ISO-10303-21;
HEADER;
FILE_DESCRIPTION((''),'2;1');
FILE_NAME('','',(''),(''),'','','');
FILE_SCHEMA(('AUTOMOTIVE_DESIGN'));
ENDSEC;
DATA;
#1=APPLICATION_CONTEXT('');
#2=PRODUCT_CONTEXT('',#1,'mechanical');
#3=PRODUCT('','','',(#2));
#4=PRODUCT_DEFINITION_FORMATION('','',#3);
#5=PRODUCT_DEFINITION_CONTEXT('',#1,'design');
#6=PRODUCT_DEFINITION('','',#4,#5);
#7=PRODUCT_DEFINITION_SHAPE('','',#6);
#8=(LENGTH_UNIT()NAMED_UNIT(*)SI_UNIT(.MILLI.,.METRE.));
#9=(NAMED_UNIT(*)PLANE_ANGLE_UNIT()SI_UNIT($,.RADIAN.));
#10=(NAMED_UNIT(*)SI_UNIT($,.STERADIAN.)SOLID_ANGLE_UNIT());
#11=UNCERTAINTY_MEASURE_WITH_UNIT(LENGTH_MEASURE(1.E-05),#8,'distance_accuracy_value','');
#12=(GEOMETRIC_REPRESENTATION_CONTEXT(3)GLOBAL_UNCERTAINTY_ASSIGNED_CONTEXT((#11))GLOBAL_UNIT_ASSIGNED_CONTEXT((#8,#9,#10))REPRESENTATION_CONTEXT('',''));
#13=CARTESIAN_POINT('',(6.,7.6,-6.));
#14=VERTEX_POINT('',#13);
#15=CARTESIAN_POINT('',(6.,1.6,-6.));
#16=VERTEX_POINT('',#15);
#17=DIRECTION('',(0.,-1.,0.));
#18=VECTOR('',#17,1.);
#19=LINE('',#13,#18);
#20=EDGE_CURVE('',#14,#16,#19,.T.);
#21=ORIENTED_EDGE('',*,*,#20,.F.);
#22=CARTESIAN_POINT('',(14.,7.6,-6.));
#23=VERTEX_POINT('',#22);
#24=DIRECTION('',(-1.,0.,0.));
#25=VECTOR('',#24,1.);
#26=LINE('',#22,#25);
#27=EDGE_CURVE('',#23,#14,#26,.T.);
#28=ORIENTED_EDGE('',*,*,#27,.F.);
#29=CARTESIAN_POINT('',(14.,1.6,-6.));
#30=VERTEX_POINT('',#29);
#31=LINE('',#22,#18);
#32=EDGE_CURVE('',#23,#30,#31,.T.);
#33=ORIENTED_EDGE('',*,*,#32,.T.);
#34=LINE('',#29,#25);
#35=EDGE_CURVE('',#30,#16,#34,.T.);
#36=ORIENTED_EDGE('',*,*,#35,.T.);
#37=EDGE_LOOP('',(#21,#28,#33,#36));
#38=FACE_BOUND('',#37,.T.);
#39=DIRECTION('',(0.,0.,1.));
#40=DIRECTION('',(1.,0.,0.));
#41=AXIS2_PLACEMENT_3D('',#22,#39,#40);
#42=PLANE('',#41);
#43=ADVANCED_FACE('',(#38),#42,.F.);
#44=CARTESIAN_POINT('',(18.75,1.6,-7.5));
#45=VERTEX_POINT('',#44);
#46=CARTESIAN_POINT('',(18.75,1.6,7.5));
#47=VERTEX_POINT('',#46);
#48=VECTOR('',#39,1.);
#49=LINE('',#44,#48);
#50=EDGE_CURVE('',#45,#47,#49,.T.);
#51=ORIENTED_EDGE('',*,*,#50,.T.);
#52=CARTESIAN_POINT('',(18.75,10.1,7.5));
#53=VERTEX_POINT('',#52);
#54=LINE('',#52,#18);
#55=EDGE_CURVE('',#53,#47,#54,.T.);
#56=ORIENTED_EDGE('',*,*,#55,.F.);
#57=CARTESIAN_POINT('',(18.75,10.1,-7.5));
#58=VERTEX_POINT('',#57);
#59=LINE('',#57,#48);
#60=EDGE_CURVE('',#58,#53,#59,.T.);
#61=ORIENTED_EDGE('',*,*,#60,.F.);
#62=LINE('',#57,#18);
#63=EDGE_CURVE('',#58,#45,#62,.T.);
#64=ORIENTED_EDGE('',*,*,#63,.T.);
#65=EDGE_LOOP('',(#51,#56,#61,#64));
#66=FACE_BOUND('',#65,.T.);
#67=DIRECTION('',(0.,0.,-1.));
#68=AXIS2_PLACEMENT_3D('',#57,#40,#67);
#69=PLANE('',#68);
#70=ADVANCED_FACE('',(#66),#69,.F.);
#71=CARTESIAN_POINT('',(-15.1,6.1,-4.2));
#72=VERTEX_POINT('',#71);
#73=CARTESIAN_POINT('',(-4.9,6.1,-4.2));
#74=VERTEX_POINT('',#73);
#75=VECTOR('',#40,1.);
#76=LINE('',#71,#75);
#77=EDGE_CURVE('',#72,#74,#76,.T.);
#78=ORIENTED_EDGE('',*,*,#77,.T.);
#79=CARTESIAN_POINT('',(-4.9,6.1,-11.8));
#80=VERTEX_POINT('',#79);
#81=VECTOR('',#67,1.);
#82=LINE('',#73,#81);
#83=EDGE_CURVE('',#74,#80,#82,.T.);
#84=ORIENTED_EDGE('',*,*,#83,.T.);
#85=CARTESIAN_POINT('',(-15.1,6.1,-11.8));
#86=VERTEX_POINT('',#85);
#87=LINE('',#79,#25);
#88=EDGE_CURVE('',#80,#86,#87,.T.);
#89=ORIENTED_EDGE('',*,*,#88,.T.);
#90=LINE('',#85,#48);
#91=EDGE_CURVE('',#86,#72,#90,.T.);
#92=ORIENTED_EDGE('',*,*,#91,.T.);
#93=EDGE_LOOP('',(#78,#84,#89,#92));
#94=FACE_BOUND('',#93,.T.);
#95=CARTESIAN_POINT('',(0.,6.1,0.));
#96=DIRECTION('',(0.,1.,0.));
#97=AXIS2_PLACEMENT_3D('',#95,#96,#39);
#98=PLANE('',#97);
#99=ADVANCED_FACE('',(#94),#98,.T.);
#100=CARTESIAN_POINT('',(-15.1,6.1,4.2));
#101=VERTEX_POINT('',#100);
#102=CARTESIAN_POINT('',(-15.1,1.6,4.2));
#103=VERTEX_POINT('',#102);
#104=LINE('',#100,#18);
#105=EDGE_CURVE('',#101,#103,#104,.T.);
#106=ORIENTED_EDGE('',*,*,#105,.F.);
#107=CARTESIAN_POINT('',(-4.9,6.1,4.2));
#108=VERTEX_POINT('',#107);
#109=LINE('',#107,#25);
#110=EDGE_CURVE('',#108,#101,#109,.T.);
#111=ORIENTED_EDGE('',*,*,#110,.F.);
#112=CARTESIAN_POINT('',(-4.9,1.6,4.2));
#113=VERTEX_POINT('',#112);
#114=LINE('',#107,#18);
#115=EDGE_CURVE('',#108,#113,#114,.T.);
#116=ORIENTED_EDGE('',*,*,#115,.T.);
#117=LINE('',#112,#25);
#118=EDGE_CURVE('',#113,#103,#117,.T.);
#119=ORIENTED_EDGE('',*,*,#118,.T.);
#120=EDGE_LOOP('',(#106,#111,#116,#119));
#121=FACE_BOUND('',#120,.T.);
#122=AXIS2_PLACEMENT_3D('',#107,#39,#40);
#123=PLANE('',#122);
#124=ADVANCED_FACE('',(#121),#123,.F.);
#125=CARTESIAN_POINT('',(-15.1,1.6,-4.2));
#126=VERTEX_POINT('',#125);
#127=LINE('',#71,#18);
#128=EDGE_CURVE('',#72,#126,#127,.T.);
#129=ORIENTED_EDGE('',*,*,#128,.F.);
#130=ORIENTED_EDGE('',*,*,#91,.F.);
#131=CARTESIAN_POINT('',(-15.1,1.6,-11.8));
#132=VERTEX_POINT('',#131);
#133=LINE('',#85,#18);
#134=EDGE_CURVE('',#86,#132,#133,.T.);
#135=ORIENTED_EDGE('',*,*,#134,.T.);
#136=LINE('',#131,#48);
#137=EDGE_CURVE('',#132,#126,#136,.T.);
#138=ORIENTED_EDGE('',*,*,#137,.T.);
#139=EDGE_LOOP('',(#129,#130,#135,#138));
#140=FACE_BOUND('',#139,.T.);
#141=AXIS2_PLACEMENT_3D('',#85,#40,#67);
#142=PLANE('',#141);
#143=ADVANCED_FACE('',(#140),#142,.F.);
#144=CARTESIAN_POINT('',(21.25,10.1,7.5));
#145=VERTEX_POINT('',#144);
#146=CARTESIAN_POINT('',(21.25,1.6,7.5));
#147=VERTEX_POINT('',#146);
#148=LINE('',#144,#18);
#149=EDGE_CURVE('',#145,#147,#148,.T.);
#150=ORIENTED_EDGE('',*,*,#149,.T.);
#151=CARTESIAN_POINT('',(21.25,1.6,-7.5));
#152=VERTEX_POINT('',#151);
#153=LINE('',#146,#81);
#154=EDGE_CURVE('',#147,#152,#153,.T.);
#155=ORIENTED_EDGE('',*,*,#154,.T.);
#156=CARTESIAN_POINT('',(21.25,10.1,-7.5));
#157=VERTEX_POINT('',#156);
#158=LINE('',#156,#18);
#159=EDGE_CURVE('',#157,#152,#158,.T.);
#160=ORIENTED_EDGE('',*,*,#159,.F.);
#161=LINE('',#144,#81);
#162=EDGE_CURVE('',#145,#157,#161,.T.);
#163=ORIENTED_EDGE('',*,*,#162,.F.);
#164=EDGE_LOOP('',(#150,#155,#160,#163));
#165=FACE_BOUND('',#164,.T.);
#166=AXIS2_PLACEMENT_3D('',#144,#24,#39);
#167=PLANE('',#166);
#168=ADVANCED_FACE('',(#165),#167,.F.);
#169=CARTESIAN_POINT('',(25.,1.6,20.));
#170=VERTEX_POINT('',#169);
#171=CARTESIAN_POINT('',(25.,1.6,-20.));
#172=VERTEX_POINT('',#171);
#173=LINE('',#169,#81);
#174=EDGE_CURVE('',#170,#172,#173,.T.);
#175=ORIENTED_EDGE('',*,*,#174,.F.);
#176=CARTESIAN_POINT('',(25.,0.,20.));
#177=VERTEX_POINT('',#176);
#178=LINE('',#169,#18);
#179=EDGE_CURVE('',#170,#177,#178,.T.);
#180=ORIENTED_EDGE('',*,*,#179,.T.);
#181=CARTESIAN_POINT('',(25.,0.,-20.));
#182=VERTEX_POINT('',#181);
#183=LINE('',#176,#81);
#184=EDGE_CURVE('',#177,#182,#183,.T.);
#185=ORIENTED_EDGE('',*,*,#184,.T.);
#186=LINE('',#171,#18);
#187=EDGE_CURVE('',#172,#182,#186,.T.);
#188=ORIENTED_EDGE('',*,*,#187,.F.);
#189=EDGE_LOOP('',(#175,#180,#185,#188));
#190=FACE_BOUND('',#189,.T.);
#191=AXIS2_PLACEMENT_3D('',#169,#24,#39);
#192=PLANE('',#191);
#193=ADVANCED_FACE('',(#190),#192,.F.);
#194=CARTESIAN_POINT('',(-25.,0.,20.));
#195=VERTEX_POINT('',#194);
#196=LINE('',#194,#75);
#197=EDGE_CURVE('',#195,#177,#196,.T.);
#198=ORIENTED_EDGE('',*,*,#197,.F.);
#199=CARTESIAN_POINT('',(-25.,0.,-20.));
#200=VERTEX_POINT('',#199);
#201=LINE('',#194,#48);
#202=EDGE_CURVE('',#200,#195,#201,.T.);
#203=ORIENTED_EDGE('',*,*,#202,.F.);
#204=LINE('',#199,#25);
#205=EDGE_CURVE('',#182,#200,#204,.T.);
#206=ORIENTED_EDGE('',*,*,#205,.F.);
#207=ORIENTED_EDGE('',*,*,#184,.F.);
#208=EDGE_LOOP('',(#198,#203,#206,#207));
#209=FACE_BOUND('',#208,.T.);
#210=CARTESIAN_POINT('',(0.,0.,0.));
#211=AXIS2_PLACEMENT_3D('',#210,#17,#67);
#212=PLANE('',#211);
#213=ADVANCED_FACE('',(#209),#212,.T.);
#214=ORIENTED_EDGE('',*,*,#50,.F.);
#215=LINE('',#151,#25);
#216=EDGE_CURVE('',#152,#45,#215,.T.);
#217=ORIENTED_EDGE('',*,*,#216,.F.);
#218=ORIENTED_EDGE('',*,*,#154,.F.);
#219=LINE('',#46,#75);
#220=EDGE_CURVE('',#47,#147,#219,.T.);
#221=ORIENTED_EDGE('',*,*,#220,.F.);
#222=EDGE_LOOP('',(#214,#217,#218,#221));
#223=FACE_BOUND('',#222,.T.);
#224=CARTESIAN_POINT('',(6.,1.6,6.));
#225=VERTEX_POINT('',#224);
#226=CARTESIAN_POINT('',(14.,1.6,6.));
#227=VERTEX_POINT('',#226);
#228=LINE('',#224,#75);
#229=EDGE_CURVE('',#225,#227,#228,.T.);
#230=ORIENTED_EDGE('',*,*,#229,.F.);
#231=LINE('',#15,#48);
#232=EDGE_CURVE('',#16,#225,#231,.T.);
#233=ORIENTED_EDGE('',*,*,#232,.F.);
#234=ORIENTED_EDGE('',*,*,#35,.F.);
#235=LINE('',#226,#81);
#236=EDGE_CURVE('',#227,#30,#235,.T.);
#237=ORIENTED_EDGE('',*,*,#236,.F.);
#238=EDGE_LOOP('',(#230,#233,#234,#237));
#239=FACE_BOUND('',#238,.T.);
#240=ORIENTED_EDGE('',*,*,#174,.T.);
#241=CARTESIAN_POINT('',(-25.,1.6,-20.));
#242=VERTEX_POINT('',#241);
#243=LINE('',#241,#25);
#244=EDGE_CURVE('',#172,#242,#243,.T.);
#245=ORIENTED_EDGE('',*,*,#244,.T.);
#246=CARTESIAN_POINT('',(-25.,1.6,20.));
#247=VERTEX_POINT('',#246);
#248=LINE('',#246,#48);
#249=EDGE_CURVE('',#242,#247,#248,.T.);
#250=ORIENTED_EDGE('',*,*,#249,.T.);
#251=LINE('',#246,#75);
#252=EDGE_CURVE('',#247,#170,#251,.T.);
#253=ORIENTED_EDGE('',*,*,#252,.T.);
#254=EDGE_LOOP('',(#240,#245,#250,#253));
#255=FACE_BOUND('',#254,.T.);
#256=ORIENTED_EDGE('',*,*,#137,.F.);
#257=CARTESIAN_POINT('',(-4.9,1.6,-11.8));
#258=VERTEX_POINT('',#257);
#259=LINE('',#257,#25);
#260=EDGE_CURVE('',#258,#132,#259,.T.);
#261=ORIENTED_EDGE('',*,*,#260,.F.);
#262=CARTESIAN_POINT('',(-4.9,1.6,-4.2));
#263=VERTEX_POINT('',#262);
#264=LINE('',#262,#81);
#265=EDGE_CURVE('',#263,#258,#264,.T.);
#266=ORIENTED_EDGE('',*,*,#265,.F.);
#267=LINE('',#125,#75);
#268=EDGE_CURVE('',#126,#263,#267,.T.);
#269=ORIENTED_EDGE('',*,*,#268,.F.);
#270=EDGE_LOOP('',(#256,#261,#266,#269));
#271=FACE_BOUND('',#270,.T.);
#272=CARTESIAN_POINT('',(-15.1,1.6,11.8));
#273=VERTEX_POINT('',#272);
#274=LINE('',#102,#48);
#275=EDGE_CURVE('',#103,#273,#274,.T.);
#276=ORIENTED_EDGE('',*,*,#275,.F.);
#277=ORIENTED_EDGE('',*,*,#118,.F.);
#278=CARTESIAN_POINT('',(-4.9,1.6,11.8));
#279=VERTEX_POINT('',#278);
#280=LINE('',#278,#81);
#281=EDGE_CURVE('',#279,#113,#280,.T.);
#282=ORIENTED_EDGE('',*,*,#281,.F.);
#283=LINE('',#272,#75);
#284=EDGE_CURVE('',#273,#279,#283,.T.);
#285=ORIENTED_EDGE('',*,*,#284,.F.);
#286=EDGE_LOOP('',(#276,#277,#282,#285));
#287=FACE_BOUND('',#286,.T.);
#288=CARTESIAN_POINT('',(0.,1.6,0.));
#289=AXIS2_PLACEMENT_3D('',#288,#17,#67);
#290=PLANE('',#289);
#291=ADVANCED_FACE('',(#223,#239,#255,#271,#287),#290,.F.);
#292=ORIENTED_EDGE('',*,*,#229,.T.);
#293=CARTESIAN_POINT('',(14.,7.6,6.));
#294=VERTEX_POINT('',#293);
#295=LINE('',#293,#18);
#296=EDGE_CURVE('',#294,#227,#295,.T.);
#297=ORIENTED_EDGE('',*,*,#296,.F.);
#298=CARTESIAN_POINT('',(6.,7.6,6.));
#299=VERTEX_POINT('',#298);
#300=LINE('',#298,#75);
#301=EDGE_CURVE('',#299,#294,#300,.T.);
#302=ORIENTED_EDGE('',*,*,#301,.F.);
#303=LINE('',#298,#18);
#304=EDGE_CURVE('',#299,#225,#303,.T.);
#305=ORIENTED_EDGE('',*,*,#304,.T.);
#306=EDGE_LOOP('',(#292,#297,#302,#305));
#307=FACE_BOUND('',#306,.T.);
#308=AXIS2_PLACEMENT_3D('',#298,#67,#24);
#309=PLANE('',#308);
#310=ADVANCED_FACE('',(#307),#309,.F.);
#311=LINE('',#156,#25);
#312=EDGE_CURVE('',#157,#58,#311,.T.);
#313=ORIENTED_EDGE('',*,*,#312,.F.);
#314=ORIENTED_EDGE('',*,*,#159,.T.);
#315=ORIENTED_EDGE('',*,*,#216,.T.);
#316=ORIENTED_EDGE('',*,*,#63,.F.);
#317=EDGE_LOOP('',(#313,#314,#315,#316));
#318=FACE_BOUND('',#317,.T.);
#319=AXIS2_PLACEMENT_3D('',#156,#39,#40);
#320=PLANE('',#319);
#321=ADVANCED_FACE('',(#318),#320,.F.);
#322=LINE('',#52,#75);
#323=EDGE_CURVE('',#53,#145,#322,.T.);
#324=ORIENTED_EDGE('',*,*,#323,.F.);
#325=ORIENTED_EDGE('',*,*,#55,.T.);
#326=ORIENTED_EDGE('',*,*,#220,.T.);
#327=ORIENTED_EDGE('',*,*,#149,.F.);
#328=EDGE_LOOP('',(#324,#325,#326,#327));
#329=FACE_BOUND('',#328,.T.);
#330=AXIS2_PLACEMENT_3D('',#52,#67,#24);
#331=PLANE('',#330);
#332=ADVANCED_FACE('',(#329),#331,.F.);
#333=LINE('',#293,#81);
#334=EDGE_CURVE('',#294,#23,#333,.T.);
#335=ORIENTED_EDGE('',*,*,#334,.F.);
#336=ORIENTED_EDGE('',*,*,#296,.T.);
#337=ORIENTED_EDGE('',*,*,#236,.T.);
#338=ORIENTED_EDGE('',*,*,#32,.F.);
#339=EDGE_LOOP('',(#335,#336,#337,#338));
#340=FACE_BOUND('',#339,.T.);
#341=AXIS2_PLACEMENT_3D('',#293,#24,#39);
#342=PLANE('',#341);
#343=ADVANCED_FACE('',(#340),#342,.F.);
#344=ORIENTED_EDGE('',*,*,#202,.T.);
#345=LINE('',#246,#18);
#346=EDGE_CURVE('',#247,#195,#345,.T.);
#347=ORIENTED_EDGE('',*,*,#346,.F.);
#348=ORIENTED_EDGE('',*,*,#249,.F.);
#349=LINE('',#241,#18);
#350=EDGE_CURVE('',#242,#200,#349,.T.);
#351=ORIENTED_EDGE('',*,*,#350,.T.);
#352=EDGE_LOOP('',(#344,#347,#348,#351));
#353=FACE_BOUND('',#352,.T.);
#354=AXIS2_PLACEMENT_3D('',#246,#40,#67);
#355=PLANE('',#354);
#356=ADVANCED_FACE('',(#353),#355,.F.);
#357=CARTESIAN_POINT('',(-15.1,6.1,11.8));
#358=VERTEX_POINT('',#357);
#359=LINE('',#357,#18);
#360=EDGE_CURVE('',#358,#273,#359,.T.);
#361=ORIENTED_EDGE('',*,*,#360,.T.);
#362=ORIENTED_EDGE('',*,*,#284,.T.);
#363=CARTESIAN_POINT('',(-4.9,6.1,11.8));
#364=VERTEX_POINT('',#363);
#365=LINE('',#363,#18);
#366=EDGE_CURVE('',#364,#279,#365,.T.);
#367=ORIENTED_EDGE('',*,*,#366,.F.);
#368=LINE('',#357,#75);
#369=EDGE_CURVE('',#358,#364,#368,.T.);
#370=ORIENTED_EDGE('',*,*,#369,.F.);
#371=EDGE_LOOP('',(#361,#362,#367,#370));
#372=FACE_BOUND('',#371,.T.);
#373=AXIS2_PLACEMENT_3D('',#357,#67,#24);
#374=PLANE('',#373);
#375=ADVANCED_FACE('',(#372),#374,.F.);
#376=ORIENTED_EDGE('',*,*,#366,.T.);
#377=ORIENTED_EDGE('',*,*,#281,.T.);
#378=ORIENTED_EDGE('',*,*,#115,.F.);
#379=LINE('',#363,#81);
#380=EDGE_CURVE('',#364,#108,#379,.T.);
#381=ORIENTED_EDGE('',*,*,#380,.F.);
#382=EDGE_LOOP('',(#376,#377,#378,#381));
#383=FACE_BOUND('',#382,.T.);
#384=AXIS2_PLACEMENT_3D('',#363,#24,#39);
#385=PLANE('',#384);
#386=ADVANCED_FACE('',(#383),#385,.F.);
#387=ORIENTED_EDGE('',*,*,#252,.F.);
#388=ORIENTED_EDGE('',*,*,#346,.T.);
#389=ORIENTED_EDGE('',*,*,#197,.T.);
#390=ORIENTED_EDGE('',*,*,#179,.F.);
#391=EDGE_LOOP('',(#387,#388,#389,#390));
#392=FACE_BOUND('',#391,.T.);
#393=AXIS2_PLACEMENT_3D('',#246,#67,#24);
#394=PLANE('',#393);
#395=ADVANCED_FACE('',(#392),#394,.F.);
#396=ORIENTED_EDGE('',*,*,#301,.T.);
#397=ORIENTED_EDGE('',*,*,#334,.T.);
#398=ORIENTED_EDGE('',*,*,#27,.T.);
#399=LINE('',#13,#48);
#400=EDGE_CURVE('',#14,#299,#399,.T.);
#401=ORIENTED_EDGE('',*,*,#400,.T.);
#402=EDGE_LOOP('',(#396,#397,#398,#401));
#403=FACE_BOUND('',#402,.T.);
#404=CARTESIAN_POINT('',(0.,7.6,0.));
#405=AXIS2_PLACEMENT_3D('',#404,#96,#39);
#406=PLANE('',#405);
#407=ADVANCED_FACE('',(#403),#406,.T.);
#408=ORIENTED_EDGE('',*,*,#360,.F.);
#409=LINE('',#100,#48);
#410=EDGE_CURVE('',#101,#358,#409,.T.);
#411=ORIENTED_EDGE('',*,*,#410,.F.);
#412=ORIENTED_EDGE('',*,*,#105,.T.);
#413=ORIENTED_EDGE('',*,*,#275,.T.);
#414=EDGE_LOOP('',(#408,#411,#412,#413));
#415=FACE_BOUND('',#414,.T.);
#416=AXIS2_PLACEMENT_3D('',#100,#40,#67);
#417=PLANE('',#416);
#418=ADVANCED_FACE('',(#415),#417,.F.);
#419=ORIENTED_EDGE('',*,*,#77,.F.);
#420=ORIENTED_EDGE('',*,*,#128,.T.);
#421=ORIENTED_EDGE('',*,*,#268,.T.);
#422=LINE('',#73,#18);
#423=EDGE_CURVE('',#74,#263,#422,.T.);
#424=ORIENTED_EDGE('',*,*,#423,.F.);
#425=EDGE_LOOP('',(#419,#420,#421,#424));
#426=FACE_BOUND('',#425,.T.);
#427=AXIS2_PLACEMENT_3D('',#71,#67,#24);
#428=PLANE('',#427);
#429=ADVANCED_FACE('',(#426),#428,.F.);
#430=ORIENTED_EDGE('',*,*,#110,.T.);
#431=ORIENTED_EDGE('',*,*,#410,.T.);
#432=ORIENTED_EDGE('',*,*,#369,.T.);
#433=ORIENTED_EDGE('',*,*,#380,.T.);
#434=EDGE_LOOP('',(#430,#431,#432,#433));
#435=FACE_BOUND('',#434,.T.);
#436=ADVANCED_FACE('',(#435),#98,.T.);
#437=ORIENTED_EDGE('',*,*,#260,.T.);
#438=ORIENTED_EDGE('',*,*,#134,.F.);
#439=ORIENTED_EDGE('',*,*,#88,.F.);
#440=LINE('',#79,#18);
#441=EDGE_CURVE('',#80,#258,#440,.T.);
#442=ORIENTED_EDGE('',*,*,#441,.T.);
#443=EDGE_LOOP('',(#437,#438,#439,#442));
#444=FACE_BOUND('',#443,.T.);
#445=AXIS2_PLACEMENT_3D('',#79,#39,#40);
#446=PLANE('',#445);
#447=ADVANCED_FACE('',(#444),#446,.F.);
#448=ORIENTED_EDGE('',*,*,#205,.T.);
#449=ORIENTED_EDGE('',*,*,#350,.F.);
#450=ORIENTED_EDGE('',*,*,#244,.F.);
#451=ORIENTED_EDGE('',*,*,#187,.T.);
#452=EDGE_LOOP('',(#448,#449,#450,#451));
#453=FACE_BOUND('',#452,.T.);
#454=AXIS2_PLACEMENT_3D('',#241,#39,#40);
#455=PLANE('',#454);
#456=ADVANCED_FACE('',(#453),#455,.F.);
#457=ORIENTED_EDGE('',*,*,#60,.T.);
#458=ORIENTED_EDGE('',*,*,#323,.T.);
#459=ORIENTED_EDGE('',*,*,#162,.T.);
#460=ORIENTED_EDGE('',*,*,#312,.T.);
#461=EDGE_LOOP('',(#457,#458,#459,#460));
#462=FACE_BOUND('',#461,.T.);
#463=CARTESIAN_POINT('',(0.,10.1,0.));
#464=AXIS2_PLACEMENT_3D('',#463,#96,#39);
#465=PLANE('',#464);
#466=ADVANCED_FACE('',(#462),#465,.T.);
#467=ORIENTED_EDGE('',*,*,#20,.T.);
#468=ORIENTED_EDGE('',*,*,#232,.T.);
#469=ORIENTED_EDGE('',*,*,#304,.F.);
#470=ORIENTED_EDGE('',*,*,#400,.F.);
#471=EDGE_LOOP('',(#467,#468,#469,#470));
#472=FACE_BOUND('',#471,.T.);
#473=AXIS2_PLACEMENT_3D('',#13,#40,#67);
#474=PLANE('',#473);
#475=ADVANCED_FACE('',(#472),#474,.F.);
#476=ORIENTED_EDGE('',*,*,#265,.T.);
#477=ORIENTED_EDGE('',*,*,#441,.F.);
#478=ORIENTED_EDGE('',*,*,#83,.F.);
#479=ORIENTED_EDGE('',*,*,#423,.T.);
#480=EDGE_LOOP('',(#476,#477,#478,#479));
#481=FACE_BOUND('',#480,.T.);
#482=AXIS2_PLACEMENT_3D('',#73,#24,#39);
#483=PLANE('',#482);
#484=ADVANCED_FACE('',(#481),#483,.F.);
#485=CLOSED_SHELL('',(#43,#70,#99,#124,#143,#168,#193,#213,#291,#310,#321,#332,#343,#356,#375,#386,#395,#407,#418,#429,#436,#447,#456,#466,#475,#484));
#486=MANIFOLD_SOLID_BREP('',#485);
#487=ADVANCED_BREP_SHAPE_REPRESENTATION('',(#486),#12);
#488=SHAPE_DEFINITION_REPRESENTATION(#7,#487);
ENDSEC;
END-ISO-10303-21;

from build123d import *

# Parameters (mm, degrees)
SKETCH1_W          = 50
SKETCH1_H          = 40
BOARD_DEPTH        = 1.6
OPAMP_DIP8_1_START = 1.6
SKETCH2_W          = 10.2
SKETCH2_H          = 7.6
OPAMP_DIP8_1_DEPTH = 4.5
OPAMP_DIP8_2_START = 1.6
SKETCH3_W          = 10.2
SKETCH3_H          = 7.6
OPAMP_DIP8_2_DEPTH = 4.5
LED_DRIVER_START   = 1.6
SKETCH4_W          = 8
SKETCH4_H          = 12
LED_DRIVER_DEPTH   = 6
HEADER_START       = 1.6
SKETCH5_W          = 2.5
SKETCH5_H          = 15
HEADER_DEPTH       = 8.5


with BuildPart() as part:
    # Sketch1 → Board (new body)
    with BuildSketch(Plane(origin=(0, 0, 0), x_dir=(1, 0, 0), z_dir=(0, 1, 0))):
        Rectangle(SKETCH1_W, SKETCH1_H)
    extrude(amount=BOARD_DEPTH)

    # Sketch2 → OpAmp_DIP8_1 (add)
    with BuildSketch(Plane(origin=(0, 0, 0), x_dir=(1, 0, 0), z_dir=(0, 1, 0)).offset(OPAMP_DIP8_1_START)):
        with Locations((-10, 8)):
            Rectangle(SKETCH2_W, SKETCH2_H)
    extrude(amount=OPAMP_DIP8_1_DEPTH)

    # Sketch3 → OpAmp_DIP8_2 (add)
    with BuildSketch(Plane(origin=(0, 0, 0), x_dir=(1, 0, 0), z_dir=(0, 1, 0)).offset(OPAMP_DIP8_2_START)):
        with Locations((-10, -8)):
            Rectangle(SKETCH3_W, SKETCH3_H)
    extrude(amount=OPAMP_DIP8_2_DEPTH)

    # Sketch4 → LED_Driver (add)
    with BuildSketch(Plane(origin=(0, 0, 0), x_dir=(1, 0, 0), z_dir=(0, 1, 0)).offset(LED_DRIVER_START)):
        with Locations((10, 0)):
            Rectangle(SKETCH4_W, SKETCH4_H)
    extrude(amount=LED_DRIVER_DEPTH)

    # Sketch5 → Header (add)
    with BuildSketch(Plane(origin=(0, 0, 0), x_dir=(1, 0, 0), z_dir=(0, 1, 0)).offset(HEADER_START)):
        with Locations((20, 0)):
            Rectangle(SKETCH5_W, SKETCH5_H)
    extrude(amount=HEADER_DEPTH)


solid = part.part
